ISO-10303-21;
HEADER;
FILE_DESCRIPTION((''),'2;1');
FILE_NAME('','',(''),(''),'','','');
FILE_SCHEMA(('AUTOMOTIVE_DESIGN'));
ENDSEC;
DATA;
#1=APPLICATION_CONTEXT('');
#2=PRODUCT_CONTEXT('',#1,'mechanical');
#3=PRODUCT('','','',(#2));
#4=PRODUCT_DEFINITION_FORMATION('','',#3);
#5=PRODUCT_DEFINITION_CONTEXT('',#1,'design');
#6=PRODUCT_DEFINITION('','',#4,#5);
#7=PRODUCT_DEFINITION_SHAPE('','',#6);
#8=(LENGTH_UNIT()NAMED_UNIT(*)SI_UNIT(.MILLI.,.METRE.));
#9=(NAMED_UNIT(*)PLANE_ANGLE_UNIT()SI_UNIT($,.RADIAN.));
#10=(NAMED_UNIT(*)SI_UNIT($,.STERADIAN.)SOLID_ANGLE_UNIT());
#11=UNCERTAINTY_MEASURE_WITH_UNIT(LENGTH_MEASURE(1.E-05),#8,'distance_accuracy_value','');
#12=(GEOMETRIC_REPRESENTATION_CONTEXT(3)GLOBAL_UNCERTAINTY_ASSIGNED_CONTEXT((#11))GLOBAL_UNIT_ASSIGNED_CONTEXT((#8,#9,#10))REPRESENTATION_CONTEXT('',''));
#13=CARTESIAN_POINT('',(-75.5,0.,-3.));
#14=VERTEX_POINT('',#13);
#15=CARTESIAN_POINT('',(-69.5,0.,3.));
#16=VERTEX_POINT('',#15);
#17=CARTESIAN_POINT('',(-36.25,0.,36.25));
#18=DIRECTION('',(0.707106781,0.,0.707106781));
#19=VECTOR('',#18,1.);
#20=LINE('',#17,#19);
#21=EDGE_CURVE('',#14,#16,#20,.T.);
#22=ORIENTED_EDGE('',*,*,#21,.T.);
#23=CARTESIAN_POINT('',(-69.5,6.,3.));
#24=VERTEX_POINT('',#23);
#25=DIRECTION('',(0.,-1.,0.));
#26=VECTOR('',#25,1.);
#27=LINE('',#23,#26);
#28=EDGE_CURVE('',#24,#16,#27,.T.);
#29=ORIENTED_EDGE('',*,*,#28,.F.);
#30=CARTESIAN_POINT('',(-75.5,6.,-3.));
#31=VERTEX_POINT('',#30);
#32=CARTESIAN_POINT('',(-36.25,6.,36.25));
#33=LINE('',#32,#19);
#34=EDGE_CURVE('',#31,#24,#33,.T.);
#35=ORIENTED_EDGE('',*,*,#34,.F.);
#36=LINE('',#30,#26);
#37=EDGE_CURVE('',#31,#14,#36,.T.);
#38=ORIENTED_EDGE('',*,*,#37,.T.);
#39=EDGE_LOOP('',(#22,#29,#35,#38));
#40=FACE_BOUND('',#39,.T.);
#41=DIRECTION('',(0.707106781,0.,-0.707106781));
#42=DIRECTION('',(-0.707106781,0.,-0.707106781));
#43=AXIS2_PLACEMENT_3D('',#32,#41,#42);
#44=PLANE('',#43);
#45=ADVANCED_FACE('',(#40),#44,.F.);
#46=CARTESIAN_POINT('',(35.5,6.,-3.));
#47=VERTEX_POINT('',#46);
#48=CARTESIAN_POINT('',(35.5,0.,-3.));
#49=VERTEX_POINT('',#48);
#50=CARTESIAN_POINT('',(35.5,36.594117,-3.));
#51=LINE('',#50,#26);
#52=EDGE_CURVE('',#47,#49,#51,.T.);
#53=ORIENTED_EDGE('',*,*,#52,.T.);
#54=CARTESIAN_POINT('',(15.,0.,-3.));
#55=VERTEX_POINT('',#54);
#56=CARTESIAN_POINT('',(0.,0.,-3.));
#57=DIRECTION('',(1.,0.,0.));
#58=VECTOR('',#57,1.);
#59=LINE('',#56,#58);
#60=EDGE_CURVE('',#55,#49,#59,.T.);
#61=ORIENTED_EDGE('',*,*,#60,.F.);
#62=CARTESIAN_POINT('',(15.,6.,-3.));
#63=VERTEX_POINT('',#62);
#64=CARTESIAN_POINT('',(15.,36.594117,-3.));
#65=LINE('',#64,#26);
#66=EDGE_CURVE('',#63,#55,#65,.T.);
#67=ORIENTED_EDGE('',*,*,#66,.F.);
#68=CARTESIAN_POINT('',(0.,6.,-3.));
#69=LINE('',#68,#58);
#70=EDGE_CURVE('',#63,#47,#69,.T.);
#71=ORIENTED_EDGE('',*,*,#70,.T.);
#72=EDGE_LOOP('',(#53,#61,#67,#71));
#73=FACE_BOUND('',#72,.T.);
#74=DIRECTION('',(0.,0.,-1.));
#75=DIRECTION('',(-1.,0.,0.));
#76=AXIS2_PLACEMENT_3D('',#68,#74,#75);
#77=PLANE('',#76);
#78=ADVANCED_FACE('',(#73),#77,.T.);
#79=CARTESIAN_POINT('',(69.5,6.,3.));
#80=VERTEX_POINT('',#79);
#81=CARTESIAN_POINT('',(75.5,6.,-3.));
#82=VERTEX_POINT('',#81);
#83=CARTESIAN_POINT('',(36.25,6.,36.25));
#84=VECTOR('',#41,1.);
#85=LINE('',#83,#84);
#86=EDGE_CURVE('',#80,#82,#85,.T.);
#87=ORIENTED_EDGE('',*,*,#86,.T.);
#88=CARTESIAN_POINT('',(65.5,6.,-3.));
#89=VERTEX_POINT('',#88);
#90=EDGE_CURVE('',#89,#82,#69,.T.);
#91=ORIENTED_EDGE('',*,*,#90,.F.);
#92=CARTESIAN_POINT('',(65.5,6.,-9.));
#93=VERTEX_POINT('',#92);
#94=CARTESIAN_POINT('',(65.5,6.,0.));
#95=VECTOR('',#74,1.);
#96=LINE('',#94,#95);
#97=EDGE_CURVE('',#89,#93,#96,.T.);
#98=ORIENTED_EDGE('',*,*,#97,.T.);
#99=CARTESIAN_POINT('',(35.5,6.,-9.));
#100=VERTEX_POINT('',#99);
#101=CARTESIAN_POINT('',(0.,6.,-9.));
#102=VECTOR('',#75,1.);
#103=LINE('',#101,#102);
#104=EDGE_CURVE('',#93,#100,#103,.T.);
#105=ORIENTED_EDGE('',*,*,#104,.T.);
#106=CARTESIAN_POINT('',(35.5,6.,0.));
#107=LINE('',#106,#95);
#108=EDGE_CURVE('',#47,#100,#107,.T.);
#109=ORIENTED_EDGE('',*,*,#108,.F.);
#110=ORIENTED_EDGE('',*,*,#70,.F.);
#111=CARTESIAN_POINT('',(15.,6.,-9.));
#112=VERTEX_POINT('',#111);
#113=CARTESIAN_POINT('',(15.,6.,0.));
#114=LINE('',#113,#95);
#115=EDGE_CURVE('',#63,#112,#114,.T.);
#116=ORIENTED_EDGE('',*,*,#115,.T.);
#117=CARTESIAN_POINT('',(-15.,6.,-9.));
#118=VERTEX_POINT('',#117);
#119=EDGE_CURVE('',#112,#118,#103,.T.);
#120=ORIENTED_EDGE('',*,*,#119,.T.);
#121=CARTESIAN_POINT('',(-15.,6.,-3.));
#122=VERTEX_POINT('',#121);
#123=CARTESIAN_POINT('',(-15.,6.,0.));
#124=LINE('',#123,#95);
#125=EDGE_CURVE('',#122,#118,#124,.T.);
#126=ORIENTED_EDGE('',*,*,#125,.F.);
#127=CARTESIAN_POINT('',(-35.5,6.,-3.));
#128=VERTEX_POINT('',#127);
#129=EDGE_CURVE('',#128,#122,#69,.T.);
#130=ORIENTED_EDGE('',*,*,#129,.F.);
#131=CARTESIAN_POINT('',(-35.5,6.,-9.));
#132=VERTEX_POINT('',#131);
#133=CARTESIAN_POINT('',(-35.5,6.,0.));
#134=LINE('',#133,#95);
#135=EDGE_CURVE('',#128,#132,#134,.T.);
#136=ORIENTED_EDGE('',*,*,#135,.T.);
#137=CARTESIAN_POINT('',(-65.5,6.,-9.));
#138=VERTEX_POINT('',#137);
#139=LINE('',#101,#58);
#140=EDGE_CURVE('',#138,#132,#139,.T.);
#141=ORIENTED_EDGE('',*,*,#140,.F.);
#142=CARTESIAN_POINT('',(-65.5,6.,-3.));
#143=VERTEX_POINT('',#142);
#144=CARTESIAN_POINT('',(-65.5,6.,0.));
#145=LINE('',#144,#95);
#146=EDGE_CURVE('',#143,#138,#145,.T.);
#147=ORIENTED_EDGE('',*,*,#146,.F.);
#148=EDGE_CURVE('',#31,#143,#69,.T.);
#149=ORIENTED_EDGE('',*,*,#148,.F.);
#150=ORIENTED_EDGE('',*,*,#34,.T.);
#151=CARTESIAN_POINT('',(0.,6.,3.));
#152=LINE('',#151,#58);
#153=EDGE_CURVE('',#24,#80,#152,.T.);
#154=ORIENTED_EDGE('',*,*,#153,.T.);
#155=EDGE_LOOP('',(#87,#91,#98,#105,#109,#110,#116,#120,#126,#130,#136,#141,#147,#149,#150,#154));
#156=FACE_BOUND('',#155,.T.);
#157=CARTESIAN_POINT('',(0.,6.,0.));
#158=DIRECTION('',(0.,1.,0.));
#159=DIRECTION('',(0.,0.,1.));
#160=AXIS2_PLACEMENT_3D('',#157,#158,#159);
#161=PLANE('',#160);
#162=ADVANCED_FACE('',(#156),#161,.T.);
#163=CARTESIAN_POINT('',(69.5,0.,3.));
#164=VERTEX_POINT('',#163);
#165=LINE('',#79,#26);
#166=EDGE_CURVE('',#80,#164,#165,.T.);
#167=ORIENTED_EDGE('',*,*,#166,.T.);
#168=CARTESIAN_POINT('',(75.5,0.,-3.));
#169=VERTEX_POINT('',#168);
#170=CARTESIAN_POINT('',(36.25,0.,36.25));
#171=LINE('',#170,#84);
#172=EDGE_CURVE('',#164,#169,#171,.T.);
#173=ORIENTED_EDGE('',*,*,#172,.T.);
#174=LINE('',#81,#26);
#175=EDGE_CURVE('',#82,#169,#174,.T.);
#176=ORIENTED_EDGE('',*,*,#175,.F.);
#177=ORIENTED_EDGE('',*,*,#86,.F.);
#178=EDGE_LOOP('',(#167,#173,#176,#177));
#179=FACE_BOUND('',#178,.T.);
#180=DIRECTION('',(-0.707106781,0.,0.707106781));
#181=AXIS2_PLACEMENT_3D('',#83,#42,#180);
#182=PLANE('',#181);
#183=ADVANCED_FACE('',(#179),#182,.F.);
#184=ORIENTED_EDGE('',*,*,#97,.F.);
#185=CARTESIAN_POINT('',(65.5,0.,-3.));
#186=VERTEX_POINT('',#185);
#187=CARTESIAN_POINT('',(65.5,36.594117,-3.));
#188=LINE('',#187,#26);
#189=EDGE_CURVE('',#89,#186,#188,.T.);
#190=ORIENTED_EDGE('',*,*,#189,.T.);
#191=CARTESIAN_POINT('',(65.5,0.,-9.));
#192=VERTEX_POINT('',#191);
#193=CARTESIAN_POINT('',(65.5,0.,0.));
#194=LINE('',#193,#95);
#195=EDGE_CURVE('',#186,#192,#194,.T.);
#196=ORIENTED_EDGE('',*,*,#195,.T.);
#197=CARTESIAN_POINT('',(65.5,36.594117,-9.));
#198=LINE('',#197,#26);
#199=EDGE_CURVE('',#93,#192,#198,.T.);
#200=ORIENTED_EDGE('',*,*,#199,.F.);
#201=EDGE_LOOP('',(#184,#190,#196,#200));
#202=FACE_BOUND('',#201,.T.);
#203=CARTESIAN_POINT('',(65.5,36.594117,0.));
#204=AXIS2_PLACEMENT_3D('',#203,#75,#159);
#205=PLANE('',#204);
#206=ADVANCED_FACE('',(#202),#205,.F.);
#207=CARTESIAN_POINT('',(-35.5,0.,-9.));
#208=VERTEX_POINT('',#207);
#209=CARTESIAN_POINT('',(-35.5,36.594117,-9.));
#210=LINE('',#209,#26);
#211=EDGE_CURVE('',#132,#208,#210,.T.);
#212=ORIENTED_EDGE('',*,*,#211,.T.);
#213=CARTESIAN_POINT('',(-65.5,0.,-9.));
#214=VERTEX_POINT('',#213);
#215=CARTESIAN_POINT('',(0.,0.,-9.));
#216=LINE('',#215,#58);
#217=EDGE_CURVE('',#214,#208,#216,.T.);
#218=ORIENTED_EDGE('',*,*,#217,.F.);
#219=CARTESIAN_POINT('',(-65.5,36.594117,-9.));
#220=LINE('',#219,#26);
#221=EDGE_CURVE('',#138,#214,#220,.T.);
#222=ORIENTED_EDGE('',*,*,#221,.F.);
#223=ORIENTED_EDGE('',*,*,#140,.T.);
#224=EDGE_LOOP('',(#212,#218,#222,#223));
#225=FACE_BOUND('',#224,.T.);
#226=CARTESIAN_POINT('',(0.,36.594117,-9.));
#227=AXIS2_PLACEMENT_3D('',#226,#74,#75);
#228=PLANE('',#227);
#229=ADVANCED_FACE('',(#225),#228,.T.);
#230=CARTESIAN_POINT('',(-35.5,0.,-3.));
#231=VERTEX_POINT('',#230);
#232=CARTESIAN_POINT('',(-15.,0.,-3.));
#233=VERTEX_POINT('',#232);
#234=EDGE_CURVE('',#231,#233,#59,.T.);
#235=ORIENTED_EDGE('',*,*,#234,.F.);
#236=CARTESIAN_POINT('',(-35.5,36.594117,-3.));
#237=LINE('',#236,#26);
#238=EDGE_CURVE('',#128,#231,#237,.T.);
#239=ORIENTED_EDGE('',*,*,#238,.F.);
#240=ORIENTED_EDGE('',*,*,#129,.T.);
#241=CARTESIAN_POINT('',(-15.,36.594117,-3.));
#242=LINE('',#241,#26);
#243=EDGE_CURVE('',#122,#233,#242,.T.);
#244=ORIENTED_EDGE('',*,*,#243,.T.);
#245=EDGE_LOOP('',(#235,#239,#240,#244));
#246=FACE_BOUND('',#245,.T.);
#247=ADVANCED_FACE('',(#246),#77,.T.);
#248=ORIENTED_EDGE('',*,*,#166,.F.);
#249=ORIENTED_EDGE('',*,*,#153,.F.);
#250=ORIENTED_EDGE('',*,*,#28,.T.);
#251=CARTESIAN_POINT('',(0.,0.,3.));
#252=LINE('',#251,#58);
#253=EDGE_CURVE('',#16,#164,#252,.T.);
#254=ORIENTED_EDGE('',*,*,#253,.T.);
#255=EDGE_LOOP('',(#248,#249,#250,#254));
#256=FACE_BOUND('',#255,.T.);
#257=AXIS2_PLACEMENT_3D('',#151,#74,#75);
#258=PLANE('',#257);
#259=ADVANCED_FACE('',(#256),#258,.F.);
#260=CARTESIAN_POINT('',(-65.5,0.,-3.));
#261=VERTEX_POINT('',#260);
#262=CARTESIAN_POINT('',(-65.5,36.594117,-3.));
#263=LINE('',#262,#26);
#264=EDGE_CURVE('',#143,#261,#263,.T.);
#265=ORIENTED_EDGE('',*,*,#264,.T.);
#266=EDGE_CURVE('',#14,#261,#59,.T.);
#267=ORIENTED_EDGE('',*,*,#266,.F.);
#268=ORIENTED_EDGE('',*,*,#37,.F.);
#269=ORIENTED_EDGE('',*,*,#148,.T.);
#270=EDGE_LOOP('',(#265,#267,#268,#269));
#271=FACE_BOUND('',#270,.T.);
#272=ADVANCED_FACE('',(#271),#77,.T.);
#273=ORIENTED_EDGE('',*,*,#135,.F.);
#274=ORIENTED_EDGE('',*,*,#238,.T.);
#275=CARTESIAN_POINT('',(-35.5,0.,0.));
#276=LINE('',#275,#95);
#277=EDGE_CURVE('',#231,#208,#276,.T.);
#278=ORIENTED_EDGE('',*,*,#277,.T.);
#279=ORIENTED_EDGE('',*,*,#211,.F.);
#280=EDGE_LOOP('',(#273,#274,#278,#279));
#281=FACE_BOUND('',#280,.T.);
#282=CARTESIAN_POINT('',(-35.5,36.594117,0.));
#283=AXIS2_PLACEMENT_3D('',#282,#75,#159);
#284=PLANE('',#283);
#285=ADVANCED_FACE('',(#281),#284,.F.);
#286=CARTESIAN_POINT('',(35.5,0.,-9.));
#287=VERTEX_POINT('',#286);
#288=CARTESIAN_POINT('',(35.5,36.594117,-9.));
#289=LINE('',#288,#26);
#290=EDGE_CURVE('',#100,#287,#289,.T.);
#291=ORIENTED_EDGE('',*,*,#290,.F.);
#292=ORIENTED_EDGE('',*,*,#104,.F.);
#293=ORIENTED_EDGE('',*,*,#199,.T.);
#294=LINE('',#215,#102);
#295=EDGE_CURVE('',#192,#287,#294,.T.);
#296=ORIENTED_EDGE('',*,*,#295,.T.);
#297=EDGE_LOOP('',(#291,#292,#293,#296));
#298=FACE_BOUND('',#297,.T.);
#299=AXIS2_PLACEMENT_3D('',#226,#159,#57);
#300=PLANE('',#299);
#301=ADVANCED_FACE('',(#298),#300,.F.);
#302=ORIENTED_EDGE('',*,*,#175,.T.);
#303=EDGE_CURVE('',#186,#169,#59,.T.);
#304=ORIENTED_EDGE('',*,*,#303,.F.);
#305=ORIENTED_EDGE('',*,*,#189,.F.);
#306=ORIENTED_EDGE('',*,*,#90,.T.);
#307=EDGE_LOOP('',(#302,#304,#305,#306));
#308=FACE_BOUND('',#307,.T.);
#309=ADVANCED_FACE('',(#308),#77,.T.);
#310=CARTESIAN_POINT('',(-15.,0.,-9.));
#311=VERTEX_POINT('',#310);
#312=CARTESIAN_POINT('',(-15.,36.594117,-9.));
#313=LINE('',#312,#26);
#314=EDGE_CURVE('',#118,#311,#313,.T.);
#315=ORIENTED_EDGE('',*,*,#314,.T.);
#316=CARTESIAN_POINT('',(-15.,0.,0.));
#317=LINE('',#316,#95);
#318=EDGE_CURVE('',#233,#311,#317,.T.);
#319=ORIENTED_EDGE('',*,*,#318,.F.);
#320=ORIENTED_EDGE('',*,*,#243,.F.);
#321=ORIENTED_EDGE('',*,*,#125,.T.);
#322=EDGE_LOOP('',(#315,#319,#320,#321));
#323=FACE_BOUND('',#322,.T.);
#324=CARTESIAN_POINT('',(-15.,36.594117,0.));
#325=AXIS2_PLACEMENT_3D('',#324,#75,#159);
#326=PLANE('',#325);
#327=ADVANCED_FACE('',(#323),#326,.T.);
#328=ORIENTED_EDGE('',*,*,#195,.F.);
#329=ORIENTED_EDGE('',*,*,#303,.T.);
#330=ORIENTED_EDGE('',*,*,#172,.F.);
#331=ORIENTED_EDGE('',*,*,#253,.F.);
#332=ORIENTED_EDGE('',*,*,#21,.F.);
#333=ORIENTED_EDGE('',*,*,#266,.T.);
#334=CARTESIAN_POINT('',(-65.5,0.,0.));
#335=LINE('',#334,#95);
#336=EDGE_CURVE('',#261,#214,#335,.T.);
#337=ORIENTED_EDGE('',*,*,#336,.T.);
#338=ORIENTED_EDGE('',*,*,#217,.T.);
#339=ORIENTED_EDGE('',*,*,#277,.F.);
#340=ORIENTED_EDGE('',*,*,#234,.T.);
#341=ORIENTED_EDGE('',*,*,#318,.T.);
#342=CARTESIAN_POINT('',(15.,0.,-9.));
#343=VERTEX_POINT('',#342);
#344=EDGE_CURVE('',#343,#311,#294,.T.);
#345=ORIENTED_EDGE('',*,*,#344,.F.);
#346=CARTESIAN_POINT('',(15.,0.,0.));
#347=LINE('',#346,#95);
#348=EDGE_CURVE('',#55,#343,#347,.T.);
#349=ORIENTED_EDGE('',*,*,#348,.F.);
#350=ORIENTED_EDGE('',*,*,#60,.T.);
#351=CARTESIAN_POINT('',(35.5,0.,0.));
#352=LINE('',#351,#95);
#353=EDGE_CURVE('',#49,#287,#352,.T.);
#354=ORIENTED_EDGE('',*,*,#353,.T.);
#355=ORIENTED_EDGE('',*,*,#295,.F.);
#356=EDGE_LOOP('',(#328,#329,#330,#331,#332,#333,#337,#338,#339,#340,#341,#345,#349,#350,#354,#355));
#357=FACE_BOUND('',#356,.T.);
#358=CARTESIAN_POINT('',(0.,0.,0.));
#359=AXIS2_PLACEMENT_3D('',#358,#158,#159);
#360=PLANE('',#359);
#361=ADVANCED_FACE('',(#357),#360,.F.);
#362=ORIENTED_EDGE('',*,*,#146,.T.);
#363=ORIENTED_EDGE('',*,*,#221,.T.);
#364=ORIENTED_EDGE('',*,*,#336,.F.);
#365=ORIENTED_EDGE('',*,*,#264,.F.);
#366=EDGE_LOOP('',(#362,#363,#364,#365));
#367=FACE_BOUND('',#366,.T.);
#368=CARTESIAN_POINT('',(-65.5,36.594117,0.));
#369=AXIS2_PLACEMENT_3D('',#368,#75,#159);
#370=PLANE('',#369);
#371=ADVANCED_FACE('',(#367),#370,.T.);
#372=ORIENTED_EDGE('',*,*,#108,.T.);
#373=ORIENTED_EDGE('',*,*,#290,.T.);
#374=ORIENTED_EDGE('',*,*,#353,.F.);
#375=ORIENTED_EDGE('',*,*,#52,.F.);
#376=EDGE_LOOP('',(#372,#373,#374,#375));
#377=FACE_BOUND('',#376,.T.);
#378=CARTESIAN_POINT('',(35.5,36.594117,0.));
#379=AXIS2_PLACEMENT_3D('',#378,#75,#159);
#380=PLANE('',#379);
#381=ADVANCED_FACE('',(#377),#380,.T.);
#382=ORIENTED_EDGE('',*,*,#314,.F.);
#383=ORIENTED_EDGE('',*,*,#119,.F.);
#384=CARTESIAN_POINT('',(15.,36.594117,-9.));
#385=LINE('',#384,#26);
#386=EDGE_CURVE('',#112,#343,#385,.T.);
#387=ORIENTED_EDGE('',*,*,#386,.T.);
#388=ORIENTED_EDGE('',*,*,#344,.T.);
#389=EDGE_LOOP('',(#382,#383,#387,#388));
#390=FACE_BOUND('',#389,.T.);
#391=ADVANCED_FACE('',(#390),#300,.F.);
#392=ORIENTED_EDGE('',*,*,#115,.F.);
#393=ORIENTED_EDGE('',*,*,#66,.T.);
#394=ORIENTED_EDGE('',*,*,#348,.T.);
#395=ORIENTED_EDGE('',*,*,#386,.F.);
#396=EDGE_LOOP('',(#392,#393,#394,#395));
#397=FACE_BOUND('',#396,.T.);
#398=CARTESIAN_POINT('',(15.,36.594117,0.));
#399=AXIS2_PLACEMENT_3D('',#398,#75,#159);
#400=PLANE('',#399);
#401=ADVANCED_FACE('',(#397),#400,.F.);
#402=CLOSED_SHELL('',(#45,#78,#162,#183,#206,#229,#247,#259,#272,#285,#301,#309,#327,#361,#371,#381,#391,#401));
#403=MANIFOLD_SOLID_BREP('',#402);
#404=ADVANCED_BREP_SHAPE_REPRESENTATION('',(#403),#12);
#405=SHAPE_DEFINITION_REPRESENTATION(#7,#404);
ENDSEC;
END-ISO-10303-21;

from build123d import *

# Parameters (mm, degrees)
BOSS_EXTRUDE1_DEPTH = 6
SKETCH3_W           = 30
SKETCH3_H           = 6
BOSS_EXTRUDE2_DEPTH = 6


with BuildPart() as part:
    # Sketch1 → Boss-Extrude1 (new body)
    with BuildSketch(Plane(origin=(0, 0, 0), x_dir=(1, 0, 0), z_dir=(0, 1, 0))):
        Polygon((75.5, 3), (-75.5, 3), (-69.5, -3), (69.5, -3), align=None)
    extrude(amount=BOSS_EXTRUDE1_DEPTH)

    # Sketch3 → Boss-Extrude2 (add)
    with BuildSketch(Plane.XZ):
        with Locations((50.5, -6)):
            Rectangle(SKETCH3_W, SKETCH3_H)
        with Locations((0, -6)):
            Rectangle(SKETCH3_W, SKETCH3_H)
        with Locations((-50.5, -6)):
            Rectangle(SKETCH3_W, SKETCH3_H)
    extrude(amount=-BOSS_EXTRUDE2_DEPTH)


solid = part.part
